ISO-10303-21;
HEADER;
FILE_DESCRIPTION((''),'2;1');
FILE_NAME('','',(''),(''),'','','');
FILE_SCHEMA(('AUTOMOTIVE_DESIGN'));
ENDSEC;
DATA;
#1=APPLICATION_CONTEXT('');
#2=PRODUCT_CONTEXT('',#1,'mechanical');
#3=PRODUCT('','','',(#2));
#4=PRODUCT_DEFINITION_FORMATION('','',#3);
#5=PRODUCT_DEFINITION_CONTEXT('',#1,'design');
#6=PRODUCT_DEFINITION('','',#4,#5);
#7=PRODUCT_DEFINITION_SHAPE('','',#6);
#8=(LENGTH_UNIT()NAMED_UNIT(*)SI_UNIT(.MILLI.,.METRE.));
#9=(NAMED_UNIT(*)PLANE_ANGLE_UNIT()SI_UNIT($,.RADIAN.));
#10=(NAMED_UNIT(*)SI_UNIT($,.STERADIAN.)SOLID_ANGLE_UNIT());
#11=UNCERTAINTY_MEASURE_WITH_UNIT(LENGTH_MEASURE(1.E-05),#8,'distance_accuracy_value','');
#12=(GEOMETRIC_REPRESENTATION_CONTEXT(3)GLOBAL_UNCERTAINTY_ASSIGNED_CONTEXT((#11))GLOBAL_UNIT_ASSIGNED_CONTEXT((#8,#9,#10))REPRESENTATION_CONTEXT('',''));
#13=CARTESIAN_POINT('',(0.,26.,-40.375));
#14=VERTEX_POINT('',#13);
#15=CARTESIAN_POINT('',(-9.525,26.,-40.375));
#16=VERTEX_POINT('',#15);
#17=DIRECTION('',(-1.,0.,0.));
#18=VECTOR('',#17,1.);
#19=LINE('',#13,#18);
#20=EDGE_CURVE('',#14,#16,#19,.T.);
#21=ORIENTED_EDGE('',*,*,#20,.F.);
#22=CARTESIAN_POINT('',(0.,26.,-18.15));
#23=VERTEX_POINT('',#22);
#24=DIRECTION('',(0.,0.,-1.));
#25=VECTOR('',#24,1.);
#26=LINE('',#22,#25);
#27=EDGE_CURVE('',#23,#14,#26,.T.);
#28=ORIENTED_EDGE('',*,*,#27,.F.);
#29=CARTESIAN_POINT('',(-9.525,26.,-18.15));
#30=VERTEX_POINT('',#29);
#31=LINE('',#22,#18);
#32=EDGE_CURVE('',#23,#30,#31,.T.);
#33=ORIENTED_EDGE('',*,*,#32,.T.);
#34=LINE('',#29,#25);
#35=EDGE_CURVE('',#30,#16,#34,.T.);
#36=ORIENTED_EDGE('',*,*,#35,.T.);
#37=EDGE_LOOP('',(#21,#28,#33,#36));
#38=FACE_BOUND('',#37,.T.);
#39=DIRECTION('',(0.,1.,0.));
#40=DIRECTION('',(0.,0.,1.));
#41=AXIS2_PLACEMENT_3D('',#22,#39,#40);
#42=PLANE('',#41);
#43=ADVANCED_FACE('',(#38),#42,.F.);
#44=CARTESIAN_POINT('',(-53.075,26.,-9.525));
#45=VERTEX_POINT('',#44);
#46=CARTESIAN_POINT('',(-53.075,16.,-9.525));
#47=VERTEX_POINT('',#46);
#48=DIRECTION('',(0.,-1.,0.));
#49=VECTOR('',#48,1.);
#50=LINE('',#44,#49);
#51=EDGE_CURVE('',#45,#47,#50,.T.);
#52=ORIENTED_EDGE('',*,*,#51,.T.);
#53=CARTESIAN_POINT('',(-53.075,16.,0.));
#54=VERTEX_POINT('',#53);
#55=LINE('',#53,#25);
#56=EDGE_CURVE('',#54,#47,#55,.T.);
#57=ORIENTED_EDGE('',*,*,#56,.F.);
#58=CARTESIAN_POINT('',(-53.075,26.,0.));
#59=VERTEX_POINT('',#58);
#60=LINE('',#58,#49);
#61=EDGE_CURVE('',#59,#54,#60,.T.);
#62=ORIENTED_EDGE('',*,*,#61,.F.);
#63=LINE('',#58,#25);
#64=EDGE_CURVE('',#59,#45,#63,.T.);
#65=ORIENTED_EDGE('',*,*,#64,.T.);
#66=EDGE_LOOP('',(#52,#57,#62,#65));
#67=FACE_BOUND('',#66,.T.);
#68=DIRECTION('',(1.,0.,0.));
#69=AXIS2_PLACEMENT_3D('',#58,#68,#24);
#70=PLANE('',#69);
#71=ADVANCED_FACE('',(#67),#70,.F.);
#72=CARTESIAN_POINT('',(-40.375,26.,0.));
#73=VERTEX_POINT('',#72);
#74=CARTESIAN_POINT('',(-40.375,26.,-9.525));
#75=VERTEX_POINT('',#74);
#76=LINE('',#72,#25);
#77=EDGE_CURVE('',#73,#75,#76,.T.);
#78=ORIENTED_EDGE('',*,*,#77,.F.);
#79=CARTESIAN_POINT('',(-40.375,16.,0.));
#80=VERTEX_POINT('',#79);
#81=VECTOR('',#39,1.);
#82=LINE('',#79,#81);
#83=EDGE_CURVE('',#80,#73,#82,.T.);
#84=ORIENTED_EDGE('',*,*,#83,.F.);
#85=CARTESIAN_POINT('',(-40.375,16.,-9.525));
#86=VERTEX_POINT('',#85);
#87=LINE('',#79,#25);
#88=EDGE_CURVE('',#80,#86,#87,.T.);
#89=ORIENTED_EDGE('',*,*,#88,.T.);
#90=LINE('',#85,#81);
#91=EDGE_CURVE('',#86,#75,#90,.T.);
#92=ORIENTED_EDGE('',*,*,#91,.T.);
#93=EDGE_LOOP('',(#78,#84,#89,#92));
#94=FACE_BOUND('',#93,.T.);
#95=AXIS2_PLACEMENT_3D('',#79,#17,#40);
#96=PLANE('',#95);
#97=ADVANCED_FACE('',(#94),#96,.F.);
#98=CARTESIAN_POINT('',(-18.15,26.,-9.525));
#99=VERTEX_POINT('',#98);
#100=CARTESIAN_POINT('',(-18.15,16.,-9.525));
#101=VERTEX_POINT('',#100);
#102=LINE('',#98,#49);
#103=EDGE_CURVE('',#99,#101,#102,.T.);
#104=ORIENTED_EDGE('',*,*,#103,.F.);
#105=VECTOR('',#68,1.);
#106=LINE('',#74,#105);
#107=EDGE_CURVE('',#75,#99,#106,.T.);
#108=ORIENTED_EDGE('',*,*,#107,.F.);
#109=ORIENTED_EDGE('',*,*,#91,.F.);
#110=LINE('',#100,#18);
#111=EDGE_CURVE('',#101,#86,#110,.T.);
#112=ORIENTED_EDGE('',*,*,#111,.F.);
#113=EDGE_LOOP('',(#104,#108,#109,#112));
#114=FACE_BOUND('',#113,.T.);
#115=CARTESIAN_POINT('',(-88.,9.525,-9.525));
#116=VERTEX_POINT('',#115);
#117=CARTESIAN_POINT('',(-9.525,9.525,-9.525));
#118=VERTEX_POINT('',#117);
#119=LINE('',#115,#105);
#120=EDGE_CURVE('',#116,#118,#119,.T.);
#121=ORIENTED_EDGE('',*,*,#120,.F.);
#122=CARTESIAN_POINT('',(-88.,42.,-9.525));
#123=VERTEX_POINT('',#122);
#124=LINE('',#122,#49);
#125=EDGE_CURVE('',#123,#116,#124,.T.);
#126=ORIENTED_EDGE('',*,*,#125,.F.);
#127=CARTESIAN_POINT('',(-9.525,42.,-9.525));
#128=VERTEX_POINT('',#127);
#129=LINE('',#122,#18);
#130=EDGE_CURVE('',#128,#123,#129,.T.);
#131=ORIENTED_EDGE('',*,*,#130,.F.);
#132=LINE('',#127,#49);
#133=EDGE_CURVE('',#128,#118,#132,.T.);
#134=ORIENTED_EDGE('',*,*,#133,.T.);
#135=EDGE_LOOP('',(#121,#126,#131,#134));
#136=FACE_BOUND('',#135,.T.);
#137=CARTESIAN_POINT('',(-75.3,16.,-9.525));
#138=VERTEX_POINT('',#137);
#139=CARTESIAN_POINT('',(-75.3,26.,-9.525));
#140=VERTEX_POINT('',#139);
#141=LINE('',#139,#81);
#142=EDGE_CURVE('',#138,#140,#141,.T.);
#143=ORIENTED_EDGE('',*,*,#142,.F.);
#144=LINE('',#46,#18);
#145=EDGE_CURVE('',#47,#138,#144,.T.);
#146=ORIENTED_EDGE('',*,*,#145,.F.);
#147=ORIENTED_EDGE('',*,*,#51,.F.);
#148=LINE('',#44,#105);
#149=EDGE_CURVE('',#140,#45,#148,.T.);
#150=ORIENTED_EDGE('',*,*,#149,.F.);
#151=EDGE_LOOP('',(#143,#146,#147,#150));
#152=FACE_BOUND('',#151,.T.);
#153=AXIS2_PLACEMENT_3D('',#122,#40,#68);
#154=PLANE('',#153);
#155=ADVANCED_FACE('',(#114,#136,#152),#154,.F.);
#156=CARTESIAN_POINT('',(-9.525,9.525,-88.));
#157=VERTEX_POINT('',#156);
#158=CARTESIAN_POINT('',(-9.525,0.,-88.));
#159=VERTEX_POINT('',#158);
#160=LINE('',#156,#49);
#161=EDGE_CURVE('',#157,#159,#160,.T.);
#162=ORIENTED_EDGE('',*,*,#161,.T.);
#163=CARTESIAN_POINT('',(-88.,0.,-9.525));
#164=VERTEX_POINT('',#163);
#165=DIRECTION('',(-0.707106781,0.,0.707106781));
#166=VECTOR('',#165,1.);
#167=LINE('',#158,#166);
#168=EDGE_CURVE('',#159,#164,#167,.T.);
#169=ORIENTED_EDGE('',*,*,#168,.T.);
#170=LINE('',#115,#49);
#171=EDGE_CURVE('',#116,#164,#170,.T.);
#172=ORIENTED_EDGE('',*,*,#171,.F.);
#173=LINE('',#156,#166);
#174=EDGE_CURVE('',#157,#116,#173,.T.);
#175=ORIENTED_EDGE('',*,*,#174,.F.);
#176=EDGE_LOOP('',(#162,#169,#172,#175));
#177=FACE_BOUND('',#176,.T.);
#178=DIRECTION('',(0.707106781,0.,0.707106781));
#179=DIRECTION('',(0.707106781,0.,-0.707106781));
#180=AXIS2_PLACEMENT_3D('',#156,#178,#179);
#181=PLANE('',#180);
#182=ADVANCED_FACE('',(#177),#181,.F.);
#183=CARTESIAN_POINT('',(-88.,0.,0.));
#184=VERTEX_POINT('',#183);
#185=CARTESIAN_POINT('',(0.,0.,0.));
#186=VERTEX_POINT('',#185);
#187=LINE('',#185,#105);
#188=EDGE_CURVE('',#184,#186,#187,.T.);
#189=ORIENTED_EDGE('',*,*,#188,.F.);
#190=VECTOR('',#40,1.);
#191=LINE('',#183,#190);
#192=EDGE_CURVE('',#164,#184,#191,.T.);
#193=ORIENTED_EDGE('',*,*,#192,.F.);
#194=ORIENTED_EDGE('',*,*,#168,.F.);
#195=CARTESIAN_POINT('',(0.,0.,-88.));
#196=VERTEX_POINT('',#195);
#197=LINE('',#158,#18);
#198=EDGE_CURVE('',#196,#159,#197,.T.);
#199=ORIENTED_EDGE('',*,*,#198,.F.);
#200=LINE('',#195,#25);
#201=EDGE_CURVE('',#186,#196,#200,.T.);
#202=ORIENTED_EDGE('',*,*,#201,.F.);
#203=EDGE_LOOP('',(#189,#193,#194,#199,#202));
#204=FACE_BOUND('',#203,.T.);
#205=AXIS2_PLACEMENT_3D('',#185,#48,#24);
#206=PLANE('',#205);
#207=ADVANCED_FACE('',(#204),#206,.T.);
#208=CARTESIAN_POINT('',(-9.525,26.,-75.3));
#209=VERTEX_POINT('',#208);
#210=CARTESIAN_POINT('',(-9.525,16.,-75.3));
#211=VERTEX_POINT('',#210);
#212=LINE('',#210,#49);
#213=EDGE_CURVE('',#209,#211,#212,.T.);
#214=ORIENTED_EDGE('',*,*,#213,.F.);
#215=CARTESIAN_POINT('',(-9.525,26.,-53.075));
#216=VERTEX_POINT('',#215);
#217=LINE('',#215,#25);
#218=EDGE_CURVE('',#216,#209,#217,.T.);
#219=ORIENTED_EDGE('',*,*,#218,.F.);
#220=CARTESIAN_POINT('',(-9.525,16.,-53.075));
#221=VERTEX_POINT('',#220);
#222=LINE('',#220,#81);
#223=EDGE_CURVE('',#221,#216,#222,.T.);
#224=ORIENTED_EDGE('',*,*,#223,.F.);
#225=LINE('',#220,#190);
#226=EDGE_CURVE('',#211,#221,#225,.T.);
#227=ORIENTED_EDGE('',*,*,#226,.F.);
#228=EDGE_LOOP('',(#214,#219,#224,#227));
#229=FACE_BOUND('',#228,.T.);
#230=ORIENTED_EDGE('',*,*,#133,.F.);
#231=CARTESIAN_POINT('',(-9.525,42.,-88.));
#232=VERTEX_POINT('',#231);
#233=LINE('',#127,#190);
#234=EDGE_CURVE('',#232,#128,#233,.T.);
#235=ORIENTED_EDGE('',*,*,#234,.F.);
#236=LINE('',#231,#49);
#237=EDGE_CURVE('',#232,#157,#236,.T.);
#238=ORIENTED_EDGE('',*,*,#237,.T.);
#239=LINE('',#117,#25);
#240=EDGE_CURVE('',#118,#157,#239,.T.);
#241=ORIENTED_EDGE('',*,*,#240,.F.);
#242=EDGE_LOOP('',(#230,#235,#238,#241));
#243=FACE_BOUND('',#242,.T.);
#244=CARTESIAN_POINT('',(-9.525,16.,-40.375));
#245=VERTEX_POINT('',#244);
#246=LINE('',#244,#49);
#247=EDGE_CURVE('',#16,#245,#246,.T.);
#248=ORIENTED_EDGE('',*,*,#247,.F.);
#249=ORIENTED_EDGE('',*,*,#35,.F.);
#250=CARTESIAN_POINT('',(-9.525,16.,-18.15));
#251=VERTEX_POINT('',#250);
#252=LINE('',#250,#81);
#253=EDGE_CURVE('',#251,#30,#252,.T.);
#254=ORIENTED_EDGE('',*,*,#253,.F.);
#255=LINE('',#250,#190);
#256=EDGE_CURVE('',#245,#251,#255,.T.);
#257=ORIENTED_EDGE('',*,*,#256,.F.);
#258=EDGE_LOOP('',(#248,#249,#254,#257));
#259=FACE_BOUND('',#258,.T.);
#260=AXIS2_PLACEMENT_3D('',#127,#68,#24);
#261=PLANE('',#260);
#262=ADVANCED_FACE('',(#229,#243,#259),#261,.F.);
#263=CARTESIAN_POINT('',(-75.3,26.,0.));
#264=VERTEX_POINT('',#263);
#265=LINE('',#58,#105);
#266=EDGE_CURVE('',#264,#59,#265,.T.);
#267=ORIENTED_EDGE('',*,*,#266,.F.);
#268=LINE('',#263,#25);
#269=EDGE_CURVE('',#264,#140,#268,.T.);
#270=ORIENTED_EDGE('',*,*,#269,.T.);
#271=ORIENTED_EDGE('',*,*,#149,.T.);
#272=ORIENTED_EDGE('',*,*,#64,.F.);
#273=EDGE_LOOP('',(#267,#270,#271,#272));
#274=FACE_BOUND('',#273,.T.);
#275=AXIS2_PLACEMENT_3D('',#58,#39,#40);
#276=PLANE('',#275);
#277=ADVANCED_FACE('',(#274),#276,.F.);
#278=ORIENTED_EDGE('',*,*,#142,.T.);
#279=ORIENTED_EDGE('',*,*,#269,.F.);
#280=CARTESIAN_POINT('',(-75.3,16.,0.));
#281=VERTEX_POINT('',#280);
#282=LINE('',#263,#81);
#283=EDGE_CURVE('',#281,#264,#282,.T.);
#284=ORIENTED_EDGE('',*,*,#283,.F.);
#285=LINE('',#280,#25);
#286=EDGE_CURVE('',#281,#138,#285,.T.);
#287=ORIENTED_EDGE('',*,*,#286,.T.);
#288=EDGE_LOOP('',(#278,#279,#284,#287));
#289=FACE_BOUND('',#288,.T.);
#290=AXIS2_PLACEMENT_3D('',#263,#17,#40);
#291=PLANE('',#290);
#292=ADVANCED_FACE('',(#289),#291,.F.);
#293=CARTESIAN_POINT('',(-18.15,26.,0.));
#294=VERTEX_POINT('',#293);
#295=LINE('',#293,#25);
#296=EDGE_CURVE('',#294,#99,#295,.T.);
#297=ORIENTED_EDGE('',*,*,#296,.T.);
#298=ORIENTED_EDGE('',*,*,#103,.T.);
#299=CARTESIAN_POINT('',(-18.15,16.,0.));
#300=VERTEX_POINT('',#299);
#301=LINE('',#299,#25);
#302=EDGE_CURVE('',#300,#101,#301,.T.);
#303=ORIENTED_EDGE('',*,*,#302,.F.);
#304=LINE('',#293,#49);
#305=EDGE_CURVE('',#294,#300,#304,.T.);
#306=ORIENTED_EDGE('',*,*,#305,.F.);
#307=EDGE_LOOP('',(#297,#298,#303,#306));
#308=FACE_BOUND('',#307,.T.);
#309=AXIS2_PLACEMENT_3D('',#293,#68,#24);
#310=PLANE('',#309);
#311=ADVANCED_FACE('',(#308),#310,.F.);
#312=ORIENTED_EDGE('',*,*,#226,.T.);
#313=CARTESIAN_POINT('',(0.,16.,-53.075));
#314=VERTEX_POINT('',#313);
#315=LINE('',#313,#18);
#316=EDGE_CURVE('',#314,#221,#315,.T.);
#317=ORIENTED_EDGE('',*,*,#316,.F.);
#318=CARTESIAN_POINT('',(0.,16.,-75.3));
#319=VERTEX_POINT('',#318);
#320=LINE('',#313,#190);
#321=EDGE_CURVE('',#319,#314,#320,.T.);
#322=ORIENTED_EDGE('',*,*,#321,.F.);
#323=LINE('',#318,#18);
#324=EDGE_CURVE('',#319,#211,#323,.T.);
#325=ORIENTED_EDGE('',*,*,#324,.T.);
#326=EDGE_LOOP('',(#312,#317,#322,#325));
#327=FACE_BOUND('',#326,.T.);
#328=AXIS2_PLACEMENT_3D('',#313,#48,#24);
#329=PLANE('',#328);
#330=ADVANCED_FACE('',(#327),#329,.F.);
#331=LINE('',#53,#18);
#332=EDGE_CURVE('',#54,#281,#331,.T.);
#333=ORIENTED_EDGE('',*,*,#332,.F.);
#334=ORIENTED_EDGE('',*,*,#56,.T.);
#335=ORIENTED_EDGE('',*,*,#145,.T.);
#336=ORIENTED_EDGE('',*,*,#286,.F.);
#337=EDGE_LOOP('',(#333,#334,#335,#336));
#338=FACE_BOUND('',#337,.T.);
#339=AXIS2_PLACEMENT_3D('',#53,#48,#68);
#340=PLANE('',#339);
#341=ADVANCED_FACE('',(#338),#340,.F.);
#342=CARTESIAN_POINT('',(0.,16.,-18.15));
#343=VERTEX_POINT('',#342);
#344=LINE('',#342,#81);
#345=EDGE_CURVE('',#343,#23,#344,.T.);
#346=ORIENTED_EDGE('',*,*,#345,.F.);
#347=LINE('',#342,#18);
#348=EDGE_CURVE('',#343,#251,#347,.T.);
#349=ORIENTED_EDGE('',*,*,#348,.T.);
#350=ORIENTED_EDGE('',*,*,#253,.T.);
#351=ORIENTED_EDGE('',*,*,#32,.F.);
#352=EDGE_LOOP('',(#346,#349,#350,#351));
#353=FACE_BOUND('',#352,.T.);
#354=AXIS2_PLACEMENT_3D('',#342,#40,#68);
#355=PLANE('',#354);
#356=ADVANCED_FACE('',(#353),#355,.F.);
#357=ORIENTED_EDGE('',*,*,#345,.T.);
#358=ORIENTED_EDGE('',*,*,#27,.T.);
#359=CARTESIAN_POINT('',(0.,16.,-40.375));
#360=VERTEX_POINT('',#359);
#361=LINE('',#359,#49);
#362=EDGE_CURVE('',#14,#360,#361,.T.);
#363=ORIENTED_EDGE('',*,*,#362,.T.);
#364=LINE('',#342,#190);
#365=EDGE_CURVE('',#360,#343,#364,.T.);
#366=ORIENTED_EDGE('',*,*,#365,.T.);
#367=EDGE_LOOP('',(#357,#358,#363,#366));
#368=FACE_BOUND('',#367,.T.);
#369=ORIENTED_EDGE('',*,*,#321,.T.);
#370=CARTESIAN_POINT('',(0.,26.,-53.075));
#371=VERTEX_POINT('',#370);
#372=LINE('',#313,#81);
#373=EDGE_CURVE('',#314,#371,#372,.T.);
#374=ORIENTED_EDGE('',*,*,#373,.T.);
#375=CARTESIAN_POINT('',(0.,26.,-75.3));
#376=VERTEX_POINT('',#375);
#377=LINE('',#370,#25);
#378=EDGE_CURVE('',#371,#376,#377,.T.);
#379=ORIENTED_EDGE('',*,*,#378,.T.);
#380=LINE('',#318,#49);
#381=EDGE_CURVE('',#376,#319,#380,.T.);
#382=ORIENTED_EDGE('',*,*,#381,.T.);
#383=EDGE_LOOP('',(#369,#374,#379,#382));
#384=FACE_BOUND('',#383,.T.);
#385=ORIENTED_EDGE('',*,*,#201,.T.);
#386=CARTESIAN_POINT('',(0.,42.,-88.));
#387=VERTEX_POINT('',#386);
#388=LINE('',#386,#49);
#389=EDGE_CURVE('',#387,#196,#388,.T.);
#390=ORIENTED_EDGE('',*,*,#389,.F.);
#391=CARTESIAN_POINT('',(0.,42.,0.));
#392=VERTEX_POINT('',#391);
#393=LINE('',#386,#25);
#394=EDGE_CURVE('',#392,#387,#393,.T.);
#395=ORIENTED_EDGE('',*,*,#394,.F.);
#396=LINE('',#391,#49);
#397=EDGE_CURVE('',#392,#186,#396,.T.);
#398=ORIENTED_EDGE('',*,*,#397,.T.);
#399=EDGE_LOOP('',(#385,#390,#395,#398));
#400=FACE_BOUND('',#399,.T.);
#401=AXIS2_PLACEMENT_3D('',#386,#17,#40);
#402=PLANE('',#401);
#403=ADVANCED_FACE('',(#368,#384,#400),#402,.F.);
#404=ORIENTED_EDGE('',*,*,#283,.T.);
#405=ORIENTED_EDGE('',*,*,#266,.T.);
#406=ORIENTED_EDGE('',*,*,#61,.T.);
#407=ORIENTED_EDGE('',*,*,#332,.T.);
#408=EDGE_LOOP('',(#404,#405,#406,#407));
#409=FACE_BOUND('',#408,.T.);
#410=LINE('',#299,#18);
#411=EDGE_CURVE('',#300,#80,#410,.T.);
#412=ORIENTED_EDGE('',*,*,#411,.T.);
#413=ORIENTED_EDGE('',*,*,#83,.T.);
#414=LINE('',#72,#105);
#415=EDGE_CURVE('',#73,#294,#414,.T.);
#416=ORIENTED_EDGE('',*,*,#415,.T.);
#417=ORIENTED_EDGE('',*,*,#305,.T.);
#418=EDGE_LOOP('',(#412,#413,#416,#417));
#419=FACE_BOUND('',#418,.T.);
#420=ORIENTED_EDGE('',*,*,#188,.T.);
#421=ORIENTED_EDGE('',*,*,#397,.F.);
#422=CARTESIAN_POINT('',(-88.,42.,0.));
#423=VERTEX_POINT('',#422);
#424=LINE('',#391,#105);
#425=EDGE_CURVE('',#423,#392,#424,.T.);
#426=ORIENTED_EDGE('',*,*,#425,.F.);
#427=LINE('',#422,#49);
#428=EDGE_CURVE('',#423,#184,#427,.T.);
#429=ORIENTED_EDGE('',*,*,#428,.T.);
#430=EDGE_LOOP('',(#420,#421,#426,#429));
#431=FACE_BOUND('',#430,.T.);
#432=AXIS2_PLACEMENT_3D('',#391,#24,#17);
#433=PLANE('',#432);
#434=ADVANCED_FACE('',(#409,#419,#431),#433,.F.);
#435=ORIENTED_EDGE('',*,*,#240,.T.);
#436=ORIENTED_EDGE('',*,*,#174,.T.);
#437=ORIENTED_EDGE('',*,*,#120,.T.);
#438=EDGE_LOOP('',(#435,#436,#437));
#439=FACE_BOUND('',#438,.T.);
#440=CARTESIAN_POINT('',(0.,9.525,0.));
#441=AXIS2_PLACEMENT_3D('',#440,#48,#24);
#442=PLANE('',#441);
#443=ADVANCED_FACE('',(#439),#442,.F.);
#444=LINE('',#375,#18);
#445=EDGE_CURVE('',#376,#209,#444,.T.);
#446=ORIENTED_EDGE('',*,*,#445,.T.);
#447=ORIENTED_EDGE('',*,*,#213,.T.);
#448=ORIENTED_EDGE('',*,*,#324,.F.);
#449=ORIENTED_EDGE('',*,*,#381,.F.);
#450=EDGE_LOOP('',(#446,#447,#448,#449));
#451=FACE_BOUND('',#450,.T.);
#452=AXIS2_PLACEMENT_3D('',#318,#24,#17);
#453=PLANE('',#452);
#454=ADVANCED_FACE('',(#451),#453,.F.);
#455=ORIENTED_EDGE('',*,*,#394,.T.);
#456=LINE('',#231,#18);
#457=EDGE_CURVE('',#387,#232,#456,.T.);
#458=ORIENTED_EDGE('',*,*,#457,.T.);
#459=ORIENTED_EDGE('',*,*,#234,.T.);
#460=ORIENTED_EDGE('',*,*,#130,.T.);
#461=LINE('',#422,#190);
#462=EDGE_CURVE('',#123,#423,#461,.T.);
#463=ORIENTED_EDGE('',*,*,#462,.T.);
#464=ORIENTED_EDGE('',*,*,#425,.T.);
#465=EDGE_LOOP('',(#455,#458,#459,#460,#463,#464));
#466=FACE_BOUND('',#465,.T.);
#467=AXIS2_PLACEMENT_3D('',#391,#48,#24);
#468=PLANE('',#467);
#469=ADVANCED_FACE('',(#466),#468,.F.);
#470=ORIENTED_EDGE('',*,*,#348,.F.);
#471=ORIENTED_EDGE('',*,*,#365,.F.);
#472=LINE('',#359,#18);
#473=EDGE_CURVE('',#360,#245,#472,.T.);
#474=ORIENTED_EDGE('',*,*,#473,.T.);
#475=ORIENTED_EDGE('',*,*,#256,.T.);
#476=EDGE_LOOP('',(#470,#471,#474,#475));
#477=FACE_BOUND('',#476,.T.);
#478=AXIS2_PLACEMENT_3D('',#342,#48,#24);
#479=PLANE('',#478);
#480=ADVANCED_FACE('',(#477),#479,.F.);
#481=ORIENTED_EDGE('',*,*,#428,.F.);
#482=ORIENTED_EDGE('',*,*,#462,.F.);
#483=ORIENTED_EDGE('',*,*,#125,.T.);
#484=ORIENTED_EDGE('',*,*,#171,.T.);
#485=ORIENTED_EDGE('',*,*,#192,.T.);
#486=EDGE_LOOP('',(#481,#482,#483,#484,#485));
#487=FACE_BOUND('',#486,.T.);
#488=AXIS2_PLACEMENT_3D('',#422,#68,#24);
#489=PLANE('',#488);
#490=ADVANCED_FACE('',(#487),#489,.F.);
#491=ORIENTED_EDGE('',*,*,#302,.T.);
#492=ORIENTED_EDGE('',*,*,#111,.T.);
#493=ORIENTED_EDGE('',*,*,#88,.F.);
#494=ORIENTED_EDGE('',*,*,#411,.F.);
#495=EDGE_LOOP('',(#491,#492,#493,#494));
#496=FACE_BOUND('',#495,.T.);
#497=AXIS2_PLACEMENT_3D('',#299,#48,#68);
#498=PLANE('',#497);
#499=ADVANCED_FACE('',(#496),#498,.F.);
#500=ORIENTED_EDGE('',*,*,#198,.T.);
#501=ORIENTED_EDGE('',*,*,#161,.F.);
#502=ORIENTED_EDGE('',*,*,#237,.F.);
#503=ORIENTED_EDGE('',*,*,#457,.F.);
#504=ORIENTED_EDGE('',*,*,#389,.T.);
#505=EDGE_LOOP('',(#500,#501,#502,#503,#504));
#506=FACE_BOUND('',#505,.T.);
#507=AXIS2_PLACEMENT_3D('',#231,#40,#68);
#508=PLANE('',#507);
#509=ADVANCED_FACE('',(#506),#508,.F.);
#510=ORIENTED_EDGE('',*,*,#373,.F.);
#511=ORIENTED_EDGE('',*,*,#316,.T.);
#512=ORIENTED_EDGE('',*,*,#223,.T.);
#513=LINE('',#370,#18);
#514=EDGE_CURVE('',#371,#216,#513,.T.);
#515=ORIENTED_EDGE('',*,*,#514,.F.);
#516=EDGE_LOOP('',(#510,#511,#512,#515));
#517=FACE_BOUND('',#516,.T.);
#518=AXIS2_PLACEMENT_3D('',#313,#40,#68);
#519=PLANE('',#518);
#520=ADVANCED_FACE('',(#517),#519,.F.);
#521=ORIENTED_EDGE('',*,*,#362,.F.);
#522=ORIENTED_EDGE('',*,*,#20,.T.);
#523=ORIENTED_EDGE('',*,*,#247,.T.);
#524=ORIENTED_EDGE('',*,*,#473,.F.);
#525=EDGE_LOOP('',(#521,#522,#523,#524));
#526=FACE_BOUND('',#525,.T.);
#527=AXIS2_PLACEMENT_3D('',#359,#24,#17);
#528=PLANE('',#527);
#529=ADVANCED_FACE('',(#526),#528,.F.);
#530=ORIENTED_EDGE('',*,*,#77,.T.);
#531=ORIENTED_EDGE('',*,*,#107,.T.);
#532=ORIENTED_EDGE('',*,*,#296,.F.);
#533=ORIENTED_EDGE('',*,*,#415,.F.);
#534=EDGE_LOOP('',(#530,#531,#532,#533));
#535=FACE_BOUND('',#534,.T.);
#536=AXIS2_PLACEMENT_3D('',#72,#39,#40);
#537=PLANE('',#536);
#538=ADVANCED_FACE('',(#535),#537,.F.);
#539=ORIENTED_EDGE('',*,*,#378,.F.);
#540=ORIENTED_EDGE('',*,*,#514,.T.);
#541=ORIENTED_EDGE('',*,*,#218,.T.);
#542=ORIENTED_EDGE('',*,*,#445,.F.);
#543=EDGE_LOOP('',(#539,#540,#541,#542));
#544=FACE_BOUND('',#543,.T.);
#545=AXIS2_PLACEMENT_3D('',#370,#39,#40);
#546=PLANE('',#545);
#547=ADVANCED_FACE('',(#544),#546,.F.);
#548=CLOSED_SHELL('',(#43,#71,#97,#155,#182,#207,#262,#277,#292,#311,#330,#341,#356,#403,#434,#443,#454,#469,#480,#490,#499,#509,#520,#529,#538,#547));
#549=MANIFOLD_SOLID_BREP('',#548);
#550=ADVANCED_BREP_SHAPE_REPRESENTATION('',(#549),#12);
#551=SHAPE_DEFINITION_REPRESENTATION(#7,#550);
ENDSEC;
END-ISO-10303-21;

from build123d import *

# Parameters (mm, degrees)
BOSS_EXTRUDE1_DEPTH = 42
BOSS_EXTRUDE2_DEPTH = 9.525
SKETCH3_W           = 22.225
SKETCH3_H           = 10
CUT_EXTRUDE1_DEPTH  = 9.525
SKETCH4_W           = 22.225
SKETCH4_H           = 10
CUT_EXTRUDE2_DEPTH  = 9.525


with BuildPart() as part:
    # Sketch1 → Boss-Extrude1 (new body)
    with BuildSketch(Plane(origin=(0, 0, 0), x_dir=(1, 0, 0), z_dir=(0, 1, 0))):
        Polygon((0, 0), (-88, 0), (-88, 9.525), (-9.525, 9.525), (-9.525, 88), (0, 88), align=None)
    extrude(amount=BOSS_EXTRUDE1_DEPTH)

    # Sketch2 → Boss-Extrude2 (add)
    with BuildSketch(Plane(origin=(0, 0, 0), x_dir=(1, 0, 0), z_dir=(0, 1, 0))):
        Polygon((-9.525, 88), (-88, 9.525), (-9.525, 9.525), align=None)
    extrude(amount=BOSS_EXTRUDE2_DEPTH)

    # Sketch3 → Cut-Extrude1 (cut)
    with BuildSketch(Plane(origin=(0, 0, -9.525), x_dir=(-1, 0, 0), z_dir=(0, 0, -1))):
        with Locations((29.2625, 21)):
            Rectangle(SKETCH3_W, SKETCH3_H)
        with Locations((64.1875, 21)):
            Rectangle(SKETCH3_W, SKETCH3_H)
    extrude(amount=-CUT_EXTRUDE1_DEPTH, mode=Mode.SUBTRACT)

    # Sketch4 → Cut-Extrude2 (cut)
    with BuildSketch(Plane.ZY.offset(9.525)):
        with Locations((-29.2625, 21)):
            Rectangle(SKETCH4_W, SKETCH4_H)
        with Locations((-64.1875, 21)):
            Rectangle(SKETCH4_W, SKETCH4_H)
    extrude(amount=-CUT_EXTRUDE2_DEPTH, mode=Mode.SUBTRACT)


solid = part.part
